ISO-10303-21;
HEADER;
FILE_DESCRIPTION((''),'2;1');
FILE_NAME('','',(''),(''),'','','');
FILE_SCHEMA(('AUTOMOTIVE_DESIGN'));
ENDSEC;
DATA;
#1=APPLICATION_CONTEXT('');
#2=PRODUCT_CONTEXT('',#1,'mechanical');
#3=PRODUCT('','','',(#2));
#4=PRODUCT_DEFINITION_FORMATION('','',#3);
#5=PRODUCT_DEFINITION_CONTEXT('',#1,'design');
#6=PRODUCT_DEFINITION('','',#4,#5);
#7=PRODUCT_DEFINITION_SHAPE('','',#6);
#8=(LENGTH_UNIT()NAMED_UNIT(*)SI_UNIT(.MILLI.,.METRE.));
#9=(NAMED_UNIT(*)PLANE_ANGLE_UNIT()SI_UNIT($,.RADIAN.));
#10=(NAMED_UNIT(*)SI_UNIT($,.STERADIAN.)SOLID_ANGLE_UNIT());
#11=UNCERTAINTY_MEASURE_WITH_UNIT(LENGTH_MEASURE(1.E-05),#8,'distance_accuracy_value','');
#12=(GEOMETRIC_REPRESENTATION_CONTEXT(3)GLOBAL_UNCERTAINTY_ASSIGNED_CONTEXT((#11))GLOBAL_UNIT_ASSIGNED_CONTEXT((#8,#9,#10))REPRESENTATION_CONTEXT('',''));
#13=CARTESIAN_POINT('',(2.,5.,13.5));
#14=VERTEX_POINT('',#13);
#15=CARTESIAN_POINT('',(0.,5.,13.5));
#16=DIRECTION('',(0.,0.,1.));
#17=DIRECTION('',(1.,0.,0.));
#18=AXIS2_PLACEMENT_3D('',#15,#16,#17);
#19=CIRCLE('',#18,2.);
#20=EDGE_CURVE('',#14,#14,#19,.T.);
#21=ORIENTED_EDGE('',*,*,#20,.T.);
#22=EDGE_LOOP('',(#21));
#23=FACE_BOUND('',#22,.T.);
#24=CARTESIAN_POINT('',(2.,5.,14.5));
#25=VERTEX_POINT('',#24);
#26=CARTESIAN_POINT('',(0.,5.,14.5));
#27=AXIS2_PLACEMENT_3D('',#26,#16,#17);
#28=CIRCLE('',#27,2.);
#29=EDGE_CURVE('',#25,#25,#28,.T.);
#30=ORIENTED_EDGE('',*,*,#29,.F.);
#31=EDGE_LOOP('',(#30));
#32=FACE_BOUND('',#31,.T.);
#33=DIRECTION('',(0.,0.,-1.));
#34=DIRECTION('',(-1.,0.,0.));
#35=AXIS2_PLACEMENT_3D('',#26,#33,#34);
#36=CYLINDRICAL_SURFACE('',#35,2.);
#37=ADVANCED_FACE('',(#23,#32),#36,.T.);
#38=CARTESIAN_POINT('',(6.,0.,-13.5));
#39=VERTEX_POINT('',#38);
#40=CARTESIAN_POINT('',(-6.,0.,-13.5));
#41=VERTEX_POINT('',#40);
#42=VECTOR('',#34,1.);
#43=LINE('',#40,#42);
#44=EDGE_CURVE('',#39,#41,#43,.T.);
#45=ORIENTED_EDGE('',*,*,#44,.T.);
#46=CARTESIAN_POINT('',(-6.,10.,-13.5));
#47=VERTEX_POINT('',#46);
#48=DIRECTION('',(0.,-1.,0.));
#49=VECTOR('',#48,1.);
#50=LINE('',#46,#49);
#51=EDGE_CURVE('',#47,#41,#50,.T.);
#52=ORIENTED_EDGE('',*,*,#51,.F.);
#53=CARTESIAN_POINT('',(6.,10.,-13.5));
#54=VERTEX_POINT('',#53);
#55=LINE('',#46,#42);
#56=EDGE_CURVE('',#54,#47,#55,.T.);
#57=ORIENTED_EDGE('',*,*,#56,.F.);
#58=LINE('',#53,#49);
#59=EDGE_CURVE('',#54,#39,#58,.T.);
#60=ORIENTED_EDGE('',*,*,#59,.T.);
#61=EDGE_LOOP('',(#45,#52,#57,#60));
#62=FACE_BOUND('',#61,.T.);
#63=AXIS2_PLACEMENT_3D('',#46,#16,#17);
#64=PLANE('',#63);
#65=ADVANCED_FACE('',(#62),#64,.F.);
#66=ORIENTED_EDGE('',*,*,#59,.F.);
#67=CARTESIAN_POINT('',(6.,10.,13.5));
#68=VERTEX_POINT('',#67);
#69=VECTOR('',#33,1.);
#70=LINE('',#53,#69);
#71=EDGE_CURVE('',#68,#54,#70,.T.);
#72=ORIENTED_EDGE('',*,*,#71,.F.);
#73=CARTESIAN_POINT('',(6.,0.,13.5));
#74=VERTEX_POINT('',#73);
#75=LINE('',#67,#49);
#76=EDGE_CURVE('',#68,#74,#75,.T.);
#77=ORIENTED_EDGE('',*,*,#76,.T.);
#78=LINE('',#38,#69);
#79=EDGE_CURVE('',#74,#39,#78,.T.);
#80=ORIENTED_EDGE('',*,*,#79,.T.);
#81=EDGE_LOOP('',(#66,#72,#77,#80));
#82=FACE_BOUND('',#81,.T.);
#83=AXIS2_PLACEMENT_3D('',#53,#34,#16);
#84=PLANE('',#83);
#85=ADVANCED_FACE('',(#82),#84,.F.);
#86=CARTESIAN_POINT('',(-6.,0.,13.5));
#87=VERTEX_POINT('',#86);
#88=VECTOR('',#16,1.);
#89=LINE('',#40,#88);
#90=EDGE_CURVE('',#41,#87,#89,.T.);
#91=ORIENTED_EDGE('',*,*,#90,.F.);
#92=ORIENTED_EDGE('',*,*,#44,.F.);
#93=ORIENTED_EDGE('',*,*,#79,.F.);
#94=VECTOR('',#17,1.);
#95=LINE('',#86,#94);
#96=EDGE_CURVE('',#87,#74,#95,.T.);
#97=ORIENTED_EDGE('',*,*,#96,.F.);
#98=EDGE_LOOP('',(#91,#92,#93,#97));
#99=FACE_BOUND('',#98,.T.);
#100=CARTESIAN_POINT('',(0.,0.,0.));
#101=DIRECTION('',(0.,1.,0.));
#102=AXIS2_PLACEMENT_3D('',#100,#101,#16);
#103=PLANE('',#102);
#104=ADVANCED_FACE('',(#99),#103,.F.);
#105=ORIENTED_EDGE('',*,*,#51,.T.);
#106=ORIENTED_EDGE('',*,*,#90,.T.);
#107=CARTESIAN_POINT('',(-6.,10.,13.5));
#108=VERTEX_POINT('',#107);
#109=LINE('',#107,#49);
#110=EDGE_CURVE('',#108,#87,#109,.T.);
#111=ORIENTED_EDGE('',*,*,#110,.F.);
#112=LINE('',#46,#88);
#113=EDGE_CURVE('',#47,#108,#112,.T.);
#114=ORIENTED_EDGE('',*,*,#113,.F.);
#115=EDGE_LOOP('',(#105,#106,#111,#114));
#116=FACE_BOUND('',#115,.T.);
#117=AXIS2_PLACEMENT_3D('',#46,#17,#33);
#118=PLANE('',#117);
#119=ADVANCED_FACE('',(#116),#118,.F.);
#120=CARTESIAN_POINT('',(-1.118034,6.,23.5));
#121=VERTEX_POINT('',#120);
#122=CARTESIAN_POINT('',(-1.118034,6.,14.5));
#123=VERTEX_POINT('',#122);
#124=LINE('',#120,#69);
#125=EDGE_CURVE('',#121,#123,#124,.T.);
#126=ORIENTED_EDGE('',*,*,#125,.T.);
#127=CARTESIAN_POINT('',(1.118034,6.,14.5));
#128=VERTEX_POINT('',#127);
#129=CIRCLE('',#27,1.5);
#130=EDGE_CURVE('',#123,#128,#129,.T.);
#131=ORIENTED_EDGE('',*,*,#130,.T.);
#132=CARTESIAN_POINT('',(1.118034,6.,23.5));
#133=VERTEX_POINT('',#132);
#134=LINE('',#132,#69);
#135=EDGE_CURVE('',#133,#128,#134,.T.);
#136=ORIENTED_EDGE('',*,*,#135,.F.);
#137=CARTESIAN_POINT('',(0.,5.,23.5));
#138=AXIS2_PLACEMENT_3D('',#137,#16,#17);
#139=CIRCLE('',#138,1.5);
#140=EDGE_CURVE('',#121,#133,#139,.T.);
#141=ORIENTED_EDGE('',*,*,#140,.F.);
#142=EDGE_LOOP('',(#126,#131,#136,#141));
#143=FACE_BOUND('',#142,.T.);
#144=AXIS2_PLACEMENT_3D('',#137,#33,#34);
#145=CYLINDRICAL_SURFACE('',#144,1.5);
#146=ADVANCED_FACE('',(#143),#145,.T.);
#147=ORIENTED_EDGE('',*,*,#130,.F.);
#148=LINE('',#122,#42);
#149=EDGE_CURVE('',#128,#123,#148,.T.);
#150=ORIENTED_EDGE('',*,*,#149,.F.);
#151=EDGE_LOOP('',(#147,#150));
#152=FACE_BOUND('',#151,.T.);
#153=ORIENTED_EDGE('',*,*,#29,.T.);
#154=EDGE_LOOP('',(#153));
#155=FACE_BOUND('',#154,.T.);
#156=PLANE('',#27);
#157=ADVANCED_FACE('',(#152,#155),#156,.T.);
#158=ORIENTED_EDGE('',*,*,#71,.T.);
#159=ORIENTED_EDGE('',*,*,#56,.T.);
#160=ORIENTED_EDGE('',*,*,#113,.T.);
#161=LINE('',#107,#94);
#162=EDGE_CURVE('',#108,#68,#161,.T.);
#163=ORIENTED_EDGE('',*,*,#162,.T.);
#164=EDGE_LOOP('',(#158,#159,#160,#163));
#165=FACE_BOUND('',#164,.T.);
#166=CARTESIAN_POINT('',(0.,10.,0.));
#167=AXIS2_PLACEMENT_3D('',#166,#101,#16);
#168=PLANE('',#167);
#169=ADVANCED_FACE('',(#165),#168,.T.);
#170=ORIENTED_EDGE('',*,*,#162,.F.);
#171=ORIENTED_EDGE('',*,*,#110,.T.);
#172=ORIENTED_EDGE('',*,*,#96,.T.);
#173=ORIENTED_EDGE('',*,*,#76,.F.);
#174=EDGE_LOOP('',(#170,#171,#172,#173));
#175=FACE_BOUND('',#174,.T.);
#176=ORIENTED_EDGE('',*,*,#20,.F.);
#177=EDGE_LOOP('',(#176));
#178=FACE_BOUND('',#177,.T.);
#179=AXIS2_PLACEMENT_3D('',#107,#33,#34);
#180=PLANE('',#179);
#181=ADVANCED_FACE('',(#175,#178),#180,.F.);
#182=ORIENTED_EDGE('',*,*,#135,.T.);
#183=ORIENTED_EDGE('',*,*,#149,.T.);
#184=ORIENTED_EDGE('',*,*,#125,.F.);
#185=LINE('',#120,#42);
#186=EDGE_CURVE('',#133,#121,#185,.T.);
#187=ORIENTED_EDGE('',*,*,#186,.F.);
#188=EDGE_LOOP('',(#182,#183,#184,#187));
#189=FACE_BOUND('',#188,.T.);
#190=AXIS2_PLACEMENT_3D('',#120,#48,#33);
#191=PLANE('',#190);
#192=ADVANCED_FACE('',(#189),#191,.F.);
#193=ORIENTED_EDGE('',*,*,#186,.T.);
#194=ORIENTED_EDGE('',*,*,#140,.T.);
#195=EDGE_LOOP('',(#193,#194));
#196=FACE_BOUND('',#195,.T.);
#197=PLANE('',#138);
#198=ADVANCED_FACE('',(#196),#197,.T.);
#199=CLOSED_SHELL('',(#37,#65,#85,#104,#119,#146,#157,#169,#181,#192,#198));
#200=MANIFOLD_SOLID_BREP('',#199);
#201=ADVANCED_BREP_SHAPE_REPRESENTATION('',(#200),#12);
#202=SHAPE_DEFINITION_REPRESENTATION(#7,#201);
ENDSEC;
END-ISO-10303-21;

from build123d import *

# Parameters (mm, degrees)
SKETCH2_W           = 12
SKETCH2_H           = 27
BOSS_EXTRUDE1_DEPTH = 10
SKETCH4_R           = 2
BOSS_EXTRUDE2_DEPTH = 1
BOSS_EXTRUDE3_DEPTH = 9


with BuildPart() as part:
    # Sketch2 → Boss-Extrude1 (new body)
    with BuildSketch(Plane(origin=(0, 0, 0), x_dir=(1, 0, 0), z_dir=(0, 1, 0))):
        Rectangle(SKETCH2_W, SKETCH2_H)
    extrude(amount=BOSS_EXTRUDE1_DEPTH)

    # Sketch4 → Boss-Extrude2 (add)
    with BuildSketch(Plane.XY.offset(13.5)):
        with Locations((0, 5)):
            Circle(SKETCH4_R)
    extrude(amount=BOSS_EXTRUDE2_DEPTH)

    # Sketch5 → Boss-Extrude3 (add)
    with BuildSketch(Plane.XY.offset(14.5)):
        with BuildLine():
            Line((-1.118033989, 6), (1.118033989, 6))
            ThreePointArc((1.118033989, 6), (0, 3.5), (-1.118033989, 6))
        make_face()
    extrude(amount=BOSS_EXTRUDE3_DEPTH)


solid = part.part
